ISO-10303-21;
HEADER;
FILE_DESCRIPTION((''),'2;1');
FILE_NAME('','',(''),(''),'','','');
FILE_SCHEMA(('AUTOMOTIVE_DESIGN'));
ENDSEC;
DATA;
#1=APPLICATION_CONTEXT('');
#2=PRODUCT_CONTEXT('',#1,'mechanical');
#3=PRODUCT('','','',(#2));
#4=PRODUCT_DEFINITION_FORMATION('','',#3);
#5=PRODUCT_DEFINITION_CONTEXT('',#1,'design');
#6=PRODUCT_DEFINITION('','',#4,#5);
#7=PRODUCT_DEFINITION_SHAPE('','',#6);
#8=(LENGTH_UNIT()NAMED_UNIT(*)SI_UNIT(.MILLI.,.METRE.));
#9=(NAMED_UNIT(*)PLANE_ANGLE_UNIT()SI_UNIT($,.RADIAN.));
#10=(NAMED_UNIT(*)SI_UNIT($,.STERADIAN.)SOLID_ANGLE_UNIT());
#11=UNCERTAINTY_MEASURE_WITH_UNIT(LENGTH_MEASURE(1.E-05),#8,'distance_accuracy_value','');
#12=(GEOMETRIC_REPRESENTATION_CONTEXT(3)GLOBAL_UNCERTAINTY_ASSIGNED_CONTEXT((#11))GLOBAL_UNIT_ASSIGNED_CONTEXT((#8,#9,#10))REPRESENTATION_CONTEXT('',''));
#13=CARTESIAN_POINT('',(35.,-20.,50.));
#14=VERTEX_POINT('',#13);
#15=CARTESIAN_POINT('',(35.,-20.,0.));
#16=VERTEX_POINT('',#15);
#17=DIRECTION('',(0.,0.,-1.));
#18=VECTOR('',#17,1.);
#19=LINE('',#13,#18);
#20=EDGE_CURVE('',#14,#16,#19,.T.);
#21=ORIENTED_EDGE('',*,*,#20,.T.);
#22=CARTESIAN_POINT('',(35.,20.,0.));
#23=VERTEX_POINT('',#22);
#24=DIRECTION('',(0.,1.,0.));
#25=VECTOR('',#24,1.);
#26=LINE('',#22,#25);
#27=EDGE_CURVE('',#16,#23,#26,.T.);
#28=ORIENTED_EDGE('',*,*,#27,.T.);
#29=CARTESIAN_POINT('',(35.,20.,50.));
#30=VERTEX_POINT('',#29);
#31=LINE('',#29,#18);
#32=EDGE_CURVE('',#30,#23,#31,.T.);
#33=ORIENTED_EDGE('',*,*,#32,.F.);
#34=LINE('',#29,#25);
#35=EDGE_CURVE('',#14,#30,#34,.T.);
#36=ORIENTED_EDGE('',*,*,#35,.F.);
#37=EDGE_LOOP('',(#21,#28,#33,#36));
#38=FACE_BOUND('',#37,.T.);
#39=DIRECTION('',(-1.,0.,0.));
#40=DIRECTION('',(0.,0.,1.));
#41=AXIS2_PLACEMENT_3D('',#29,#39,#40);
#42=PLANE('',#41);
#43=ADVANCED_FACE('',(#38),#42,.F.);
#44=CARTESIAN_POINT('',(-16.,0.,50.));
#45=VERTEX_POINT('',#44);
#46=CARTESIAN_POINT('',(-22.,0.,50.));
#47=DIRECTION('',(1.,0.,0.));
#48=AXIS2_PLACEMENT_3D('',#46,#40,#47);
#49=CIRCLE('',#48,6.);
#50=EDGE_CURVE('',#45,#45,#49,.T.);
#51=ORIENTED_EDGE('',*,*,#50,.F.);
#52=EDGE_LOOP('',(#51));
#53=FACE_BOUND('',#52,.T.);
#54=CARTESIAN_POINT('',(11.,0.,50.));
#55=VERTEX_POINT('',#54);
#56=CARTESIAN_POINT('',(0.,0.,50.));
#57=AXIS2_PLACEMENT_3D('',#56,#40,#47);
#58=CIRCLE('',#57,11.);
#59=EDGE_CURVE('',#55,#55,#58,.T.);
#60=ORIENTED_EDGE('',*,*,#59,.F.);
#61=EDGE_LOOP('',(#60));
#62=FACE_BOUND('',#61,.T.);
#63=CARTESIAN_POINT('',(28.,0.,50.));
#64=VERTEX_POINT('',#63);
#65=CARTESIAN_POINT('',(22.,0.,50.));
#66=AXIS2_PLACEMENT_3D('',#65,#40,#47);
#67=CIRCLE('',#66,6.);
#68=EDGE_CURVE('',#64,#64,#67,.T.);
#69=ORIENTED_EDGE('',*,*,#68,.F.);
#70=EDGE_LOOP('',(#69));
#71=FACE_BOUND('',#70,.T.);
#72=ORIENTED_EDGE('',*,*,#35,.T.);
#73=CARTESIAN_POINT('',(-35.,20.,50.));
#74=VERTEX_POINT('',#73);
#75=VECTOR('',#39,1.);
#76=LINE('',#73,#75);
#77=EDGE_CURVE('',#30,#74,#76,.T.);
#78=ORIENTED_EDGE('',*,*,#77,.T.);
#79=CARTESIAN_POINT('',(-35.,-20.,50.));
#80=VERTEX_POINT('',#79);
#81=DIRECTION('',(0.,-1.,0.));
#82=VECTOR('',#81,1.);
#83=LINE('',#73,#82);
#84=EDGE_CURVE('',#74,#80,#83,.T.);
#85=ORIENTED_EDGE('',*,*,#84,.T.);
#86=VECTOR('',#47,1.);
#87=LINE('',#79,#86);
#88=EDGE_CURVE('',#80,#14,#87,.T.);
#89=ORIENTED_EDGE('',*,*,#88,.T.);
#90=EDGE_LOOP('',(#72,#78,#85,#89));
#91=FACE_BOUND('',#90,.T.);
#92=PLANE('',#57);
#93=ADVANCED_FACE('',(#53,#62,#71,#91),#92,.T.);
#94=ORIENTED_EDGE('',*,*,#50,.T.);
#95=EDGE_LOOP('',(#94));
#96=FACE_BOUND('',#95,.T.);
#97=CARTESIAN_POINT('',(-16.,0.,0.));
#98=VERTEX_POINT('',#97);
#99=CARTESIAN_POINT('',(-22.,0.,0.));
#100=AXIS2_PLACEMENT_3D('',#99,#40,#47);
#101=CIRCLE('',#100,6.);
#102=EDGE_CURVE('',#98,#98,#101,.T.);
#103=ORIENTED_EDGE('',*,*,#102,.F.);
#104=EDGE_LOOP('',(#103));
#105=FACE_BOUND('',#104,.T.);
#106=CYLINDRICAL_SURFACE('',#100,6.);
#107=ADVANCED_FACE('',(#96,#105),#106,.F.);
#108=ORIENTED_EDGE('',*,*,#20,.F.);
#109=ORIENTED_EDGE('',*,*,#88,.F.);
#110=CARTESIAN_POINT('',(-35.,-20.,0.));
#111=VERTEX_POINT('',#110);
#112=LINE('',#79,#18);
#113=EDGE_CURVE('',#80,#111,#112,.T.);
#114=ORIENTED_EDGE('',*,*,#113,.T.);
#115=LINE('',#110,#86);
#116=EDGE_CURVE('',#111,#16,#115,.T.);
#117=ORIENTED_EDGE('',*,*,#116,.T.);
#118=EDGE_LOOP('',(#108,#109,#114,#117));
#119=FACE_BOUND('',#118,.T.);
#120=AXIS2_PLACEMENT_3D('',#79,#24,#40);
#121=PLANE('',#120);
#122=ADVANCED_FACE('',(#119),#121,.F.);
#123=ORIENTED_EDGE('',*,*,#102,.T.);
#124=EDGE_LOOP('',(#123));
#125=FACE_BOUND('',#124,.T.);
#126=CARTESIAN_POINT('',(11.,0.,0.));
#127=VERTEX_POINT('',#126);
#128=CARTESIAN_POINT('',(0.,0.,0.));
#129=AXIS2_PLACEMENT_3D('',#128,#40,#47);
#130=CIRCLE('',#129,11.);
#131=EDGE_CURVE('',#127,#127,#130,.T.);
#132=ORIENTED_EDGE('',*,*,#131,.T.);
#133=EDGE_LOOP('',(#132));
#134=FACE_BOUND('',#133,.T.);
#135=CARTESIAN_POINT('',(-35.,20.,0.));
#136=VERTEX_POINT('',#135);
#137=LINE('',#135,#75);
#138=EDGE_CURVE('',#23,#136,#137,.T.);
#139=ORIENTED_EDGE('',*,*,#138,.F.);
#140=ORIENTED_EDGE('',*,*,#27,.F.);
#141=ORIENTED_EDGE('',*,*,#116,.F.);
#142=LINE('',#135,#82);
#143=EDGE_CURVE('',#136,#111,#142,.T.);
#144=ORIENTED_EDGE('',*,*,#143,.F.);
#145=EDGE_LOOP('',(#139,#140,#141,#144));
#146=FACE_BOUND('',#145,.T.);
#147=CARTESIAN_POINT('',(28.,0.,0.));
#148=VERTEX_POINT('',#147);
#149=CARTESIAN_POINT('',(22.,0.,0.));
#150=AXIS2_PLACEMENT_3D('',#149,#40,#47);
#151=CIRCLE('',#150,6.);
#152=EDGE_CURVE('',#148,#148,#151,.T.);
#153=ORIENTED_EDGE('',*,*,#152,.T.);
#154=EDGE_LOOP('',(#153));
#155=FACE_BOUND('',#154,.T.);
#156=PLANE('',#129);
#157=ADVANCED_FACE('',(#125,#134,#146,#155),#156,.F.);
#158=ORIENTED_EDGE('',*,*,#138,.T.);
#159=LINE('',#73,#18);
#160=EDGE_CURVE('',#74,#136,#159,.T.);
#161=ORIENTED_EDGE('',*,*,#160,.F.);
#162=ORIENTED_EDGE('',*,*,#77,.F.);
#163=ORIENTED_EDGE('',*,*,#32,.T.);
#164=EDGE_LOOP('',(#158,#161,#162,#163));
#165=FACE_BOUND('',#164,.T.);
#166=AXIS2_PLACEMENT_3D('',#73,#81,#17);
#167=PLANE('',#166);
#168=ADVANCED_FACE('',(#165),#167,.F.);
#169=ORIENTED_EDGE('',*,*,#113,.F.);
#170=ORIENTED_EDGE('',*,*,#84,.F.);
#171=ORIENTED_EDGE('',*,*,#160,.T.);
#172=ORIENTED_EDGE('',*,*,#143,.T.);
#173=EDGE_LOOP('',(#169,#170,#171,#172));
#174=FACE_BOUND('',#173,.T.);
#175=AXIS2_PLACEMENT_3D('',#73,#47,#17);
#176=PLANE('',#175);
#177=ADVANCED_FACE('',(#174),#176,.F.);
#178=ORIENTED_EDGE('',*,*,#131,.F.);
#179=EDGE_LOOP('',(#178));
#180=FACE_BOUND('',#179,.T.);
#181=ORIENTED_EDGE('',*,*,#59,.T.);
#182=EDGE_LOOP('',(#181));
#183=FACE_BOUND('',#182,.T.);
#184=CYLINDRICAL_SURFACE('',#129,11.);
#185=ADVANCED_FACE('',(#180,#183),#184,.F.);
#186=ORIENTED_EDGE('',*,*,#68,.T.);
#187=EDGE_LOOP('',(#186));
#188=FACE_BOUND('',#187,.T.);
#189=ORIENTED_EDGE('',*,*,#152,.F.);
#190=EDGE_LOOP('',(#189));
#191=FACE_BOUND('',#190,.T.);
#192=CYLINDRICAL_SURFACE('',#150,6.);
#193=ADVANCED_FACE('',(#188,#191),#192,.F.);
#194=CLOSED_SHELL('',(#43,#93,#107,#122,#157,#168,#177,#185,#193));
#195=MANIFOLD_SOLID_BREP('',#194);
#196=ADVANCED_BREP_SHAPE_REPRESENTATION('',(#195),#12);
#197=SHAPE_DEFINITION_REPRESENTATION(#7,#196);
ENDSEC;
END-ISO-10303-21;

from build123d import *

# Parameters (mm, degrees)
SKETCH1_W           = 70
SKETCH1_H           = 40
BOSS_EXTRUDE1_DEPTH = 50
SKETCH2_R           = 11
CUT_EXTRUDE1_DEPTH  = 65.226162893
SKETCH3_R           = 6
CUT_EXTRUDE2_DEPTH  = 65.226162893


with BuildPart() as part:
    # Sketch1 → Boss-Extrude1 (new body)
    with BuildSketch(Plane.XY):
        Rectangle(SKETCH1_W, SKETCH1_H)
    extrude(amount=BOSS_EXTRUDE1_DEPTH)

    # Sketch2 → Cut-Extrude1 (cut, through all)
    with BuildSketch(Plane.XY.offset(50)):
        Circle(SKETCH2_R)
    extrude(amount=-CUT_EXTRUDE1_DEPTH, mode=Mode.SUBTRACT)

    # Sketch3 → Cut-Extrude2 (cut, through all)
    with BuildSketch(Plane.XY.offset(50)):
        with Locations((-22, 0)):
            Circle(SKETCH3_R)
        with Locations((22, 0)):
            Circle(SKETCH3_R)
    extrude(amount=-CUT_EXTRUDE2_DEPTH, mode=Mode.SUBTRACT)


solid = part.part
